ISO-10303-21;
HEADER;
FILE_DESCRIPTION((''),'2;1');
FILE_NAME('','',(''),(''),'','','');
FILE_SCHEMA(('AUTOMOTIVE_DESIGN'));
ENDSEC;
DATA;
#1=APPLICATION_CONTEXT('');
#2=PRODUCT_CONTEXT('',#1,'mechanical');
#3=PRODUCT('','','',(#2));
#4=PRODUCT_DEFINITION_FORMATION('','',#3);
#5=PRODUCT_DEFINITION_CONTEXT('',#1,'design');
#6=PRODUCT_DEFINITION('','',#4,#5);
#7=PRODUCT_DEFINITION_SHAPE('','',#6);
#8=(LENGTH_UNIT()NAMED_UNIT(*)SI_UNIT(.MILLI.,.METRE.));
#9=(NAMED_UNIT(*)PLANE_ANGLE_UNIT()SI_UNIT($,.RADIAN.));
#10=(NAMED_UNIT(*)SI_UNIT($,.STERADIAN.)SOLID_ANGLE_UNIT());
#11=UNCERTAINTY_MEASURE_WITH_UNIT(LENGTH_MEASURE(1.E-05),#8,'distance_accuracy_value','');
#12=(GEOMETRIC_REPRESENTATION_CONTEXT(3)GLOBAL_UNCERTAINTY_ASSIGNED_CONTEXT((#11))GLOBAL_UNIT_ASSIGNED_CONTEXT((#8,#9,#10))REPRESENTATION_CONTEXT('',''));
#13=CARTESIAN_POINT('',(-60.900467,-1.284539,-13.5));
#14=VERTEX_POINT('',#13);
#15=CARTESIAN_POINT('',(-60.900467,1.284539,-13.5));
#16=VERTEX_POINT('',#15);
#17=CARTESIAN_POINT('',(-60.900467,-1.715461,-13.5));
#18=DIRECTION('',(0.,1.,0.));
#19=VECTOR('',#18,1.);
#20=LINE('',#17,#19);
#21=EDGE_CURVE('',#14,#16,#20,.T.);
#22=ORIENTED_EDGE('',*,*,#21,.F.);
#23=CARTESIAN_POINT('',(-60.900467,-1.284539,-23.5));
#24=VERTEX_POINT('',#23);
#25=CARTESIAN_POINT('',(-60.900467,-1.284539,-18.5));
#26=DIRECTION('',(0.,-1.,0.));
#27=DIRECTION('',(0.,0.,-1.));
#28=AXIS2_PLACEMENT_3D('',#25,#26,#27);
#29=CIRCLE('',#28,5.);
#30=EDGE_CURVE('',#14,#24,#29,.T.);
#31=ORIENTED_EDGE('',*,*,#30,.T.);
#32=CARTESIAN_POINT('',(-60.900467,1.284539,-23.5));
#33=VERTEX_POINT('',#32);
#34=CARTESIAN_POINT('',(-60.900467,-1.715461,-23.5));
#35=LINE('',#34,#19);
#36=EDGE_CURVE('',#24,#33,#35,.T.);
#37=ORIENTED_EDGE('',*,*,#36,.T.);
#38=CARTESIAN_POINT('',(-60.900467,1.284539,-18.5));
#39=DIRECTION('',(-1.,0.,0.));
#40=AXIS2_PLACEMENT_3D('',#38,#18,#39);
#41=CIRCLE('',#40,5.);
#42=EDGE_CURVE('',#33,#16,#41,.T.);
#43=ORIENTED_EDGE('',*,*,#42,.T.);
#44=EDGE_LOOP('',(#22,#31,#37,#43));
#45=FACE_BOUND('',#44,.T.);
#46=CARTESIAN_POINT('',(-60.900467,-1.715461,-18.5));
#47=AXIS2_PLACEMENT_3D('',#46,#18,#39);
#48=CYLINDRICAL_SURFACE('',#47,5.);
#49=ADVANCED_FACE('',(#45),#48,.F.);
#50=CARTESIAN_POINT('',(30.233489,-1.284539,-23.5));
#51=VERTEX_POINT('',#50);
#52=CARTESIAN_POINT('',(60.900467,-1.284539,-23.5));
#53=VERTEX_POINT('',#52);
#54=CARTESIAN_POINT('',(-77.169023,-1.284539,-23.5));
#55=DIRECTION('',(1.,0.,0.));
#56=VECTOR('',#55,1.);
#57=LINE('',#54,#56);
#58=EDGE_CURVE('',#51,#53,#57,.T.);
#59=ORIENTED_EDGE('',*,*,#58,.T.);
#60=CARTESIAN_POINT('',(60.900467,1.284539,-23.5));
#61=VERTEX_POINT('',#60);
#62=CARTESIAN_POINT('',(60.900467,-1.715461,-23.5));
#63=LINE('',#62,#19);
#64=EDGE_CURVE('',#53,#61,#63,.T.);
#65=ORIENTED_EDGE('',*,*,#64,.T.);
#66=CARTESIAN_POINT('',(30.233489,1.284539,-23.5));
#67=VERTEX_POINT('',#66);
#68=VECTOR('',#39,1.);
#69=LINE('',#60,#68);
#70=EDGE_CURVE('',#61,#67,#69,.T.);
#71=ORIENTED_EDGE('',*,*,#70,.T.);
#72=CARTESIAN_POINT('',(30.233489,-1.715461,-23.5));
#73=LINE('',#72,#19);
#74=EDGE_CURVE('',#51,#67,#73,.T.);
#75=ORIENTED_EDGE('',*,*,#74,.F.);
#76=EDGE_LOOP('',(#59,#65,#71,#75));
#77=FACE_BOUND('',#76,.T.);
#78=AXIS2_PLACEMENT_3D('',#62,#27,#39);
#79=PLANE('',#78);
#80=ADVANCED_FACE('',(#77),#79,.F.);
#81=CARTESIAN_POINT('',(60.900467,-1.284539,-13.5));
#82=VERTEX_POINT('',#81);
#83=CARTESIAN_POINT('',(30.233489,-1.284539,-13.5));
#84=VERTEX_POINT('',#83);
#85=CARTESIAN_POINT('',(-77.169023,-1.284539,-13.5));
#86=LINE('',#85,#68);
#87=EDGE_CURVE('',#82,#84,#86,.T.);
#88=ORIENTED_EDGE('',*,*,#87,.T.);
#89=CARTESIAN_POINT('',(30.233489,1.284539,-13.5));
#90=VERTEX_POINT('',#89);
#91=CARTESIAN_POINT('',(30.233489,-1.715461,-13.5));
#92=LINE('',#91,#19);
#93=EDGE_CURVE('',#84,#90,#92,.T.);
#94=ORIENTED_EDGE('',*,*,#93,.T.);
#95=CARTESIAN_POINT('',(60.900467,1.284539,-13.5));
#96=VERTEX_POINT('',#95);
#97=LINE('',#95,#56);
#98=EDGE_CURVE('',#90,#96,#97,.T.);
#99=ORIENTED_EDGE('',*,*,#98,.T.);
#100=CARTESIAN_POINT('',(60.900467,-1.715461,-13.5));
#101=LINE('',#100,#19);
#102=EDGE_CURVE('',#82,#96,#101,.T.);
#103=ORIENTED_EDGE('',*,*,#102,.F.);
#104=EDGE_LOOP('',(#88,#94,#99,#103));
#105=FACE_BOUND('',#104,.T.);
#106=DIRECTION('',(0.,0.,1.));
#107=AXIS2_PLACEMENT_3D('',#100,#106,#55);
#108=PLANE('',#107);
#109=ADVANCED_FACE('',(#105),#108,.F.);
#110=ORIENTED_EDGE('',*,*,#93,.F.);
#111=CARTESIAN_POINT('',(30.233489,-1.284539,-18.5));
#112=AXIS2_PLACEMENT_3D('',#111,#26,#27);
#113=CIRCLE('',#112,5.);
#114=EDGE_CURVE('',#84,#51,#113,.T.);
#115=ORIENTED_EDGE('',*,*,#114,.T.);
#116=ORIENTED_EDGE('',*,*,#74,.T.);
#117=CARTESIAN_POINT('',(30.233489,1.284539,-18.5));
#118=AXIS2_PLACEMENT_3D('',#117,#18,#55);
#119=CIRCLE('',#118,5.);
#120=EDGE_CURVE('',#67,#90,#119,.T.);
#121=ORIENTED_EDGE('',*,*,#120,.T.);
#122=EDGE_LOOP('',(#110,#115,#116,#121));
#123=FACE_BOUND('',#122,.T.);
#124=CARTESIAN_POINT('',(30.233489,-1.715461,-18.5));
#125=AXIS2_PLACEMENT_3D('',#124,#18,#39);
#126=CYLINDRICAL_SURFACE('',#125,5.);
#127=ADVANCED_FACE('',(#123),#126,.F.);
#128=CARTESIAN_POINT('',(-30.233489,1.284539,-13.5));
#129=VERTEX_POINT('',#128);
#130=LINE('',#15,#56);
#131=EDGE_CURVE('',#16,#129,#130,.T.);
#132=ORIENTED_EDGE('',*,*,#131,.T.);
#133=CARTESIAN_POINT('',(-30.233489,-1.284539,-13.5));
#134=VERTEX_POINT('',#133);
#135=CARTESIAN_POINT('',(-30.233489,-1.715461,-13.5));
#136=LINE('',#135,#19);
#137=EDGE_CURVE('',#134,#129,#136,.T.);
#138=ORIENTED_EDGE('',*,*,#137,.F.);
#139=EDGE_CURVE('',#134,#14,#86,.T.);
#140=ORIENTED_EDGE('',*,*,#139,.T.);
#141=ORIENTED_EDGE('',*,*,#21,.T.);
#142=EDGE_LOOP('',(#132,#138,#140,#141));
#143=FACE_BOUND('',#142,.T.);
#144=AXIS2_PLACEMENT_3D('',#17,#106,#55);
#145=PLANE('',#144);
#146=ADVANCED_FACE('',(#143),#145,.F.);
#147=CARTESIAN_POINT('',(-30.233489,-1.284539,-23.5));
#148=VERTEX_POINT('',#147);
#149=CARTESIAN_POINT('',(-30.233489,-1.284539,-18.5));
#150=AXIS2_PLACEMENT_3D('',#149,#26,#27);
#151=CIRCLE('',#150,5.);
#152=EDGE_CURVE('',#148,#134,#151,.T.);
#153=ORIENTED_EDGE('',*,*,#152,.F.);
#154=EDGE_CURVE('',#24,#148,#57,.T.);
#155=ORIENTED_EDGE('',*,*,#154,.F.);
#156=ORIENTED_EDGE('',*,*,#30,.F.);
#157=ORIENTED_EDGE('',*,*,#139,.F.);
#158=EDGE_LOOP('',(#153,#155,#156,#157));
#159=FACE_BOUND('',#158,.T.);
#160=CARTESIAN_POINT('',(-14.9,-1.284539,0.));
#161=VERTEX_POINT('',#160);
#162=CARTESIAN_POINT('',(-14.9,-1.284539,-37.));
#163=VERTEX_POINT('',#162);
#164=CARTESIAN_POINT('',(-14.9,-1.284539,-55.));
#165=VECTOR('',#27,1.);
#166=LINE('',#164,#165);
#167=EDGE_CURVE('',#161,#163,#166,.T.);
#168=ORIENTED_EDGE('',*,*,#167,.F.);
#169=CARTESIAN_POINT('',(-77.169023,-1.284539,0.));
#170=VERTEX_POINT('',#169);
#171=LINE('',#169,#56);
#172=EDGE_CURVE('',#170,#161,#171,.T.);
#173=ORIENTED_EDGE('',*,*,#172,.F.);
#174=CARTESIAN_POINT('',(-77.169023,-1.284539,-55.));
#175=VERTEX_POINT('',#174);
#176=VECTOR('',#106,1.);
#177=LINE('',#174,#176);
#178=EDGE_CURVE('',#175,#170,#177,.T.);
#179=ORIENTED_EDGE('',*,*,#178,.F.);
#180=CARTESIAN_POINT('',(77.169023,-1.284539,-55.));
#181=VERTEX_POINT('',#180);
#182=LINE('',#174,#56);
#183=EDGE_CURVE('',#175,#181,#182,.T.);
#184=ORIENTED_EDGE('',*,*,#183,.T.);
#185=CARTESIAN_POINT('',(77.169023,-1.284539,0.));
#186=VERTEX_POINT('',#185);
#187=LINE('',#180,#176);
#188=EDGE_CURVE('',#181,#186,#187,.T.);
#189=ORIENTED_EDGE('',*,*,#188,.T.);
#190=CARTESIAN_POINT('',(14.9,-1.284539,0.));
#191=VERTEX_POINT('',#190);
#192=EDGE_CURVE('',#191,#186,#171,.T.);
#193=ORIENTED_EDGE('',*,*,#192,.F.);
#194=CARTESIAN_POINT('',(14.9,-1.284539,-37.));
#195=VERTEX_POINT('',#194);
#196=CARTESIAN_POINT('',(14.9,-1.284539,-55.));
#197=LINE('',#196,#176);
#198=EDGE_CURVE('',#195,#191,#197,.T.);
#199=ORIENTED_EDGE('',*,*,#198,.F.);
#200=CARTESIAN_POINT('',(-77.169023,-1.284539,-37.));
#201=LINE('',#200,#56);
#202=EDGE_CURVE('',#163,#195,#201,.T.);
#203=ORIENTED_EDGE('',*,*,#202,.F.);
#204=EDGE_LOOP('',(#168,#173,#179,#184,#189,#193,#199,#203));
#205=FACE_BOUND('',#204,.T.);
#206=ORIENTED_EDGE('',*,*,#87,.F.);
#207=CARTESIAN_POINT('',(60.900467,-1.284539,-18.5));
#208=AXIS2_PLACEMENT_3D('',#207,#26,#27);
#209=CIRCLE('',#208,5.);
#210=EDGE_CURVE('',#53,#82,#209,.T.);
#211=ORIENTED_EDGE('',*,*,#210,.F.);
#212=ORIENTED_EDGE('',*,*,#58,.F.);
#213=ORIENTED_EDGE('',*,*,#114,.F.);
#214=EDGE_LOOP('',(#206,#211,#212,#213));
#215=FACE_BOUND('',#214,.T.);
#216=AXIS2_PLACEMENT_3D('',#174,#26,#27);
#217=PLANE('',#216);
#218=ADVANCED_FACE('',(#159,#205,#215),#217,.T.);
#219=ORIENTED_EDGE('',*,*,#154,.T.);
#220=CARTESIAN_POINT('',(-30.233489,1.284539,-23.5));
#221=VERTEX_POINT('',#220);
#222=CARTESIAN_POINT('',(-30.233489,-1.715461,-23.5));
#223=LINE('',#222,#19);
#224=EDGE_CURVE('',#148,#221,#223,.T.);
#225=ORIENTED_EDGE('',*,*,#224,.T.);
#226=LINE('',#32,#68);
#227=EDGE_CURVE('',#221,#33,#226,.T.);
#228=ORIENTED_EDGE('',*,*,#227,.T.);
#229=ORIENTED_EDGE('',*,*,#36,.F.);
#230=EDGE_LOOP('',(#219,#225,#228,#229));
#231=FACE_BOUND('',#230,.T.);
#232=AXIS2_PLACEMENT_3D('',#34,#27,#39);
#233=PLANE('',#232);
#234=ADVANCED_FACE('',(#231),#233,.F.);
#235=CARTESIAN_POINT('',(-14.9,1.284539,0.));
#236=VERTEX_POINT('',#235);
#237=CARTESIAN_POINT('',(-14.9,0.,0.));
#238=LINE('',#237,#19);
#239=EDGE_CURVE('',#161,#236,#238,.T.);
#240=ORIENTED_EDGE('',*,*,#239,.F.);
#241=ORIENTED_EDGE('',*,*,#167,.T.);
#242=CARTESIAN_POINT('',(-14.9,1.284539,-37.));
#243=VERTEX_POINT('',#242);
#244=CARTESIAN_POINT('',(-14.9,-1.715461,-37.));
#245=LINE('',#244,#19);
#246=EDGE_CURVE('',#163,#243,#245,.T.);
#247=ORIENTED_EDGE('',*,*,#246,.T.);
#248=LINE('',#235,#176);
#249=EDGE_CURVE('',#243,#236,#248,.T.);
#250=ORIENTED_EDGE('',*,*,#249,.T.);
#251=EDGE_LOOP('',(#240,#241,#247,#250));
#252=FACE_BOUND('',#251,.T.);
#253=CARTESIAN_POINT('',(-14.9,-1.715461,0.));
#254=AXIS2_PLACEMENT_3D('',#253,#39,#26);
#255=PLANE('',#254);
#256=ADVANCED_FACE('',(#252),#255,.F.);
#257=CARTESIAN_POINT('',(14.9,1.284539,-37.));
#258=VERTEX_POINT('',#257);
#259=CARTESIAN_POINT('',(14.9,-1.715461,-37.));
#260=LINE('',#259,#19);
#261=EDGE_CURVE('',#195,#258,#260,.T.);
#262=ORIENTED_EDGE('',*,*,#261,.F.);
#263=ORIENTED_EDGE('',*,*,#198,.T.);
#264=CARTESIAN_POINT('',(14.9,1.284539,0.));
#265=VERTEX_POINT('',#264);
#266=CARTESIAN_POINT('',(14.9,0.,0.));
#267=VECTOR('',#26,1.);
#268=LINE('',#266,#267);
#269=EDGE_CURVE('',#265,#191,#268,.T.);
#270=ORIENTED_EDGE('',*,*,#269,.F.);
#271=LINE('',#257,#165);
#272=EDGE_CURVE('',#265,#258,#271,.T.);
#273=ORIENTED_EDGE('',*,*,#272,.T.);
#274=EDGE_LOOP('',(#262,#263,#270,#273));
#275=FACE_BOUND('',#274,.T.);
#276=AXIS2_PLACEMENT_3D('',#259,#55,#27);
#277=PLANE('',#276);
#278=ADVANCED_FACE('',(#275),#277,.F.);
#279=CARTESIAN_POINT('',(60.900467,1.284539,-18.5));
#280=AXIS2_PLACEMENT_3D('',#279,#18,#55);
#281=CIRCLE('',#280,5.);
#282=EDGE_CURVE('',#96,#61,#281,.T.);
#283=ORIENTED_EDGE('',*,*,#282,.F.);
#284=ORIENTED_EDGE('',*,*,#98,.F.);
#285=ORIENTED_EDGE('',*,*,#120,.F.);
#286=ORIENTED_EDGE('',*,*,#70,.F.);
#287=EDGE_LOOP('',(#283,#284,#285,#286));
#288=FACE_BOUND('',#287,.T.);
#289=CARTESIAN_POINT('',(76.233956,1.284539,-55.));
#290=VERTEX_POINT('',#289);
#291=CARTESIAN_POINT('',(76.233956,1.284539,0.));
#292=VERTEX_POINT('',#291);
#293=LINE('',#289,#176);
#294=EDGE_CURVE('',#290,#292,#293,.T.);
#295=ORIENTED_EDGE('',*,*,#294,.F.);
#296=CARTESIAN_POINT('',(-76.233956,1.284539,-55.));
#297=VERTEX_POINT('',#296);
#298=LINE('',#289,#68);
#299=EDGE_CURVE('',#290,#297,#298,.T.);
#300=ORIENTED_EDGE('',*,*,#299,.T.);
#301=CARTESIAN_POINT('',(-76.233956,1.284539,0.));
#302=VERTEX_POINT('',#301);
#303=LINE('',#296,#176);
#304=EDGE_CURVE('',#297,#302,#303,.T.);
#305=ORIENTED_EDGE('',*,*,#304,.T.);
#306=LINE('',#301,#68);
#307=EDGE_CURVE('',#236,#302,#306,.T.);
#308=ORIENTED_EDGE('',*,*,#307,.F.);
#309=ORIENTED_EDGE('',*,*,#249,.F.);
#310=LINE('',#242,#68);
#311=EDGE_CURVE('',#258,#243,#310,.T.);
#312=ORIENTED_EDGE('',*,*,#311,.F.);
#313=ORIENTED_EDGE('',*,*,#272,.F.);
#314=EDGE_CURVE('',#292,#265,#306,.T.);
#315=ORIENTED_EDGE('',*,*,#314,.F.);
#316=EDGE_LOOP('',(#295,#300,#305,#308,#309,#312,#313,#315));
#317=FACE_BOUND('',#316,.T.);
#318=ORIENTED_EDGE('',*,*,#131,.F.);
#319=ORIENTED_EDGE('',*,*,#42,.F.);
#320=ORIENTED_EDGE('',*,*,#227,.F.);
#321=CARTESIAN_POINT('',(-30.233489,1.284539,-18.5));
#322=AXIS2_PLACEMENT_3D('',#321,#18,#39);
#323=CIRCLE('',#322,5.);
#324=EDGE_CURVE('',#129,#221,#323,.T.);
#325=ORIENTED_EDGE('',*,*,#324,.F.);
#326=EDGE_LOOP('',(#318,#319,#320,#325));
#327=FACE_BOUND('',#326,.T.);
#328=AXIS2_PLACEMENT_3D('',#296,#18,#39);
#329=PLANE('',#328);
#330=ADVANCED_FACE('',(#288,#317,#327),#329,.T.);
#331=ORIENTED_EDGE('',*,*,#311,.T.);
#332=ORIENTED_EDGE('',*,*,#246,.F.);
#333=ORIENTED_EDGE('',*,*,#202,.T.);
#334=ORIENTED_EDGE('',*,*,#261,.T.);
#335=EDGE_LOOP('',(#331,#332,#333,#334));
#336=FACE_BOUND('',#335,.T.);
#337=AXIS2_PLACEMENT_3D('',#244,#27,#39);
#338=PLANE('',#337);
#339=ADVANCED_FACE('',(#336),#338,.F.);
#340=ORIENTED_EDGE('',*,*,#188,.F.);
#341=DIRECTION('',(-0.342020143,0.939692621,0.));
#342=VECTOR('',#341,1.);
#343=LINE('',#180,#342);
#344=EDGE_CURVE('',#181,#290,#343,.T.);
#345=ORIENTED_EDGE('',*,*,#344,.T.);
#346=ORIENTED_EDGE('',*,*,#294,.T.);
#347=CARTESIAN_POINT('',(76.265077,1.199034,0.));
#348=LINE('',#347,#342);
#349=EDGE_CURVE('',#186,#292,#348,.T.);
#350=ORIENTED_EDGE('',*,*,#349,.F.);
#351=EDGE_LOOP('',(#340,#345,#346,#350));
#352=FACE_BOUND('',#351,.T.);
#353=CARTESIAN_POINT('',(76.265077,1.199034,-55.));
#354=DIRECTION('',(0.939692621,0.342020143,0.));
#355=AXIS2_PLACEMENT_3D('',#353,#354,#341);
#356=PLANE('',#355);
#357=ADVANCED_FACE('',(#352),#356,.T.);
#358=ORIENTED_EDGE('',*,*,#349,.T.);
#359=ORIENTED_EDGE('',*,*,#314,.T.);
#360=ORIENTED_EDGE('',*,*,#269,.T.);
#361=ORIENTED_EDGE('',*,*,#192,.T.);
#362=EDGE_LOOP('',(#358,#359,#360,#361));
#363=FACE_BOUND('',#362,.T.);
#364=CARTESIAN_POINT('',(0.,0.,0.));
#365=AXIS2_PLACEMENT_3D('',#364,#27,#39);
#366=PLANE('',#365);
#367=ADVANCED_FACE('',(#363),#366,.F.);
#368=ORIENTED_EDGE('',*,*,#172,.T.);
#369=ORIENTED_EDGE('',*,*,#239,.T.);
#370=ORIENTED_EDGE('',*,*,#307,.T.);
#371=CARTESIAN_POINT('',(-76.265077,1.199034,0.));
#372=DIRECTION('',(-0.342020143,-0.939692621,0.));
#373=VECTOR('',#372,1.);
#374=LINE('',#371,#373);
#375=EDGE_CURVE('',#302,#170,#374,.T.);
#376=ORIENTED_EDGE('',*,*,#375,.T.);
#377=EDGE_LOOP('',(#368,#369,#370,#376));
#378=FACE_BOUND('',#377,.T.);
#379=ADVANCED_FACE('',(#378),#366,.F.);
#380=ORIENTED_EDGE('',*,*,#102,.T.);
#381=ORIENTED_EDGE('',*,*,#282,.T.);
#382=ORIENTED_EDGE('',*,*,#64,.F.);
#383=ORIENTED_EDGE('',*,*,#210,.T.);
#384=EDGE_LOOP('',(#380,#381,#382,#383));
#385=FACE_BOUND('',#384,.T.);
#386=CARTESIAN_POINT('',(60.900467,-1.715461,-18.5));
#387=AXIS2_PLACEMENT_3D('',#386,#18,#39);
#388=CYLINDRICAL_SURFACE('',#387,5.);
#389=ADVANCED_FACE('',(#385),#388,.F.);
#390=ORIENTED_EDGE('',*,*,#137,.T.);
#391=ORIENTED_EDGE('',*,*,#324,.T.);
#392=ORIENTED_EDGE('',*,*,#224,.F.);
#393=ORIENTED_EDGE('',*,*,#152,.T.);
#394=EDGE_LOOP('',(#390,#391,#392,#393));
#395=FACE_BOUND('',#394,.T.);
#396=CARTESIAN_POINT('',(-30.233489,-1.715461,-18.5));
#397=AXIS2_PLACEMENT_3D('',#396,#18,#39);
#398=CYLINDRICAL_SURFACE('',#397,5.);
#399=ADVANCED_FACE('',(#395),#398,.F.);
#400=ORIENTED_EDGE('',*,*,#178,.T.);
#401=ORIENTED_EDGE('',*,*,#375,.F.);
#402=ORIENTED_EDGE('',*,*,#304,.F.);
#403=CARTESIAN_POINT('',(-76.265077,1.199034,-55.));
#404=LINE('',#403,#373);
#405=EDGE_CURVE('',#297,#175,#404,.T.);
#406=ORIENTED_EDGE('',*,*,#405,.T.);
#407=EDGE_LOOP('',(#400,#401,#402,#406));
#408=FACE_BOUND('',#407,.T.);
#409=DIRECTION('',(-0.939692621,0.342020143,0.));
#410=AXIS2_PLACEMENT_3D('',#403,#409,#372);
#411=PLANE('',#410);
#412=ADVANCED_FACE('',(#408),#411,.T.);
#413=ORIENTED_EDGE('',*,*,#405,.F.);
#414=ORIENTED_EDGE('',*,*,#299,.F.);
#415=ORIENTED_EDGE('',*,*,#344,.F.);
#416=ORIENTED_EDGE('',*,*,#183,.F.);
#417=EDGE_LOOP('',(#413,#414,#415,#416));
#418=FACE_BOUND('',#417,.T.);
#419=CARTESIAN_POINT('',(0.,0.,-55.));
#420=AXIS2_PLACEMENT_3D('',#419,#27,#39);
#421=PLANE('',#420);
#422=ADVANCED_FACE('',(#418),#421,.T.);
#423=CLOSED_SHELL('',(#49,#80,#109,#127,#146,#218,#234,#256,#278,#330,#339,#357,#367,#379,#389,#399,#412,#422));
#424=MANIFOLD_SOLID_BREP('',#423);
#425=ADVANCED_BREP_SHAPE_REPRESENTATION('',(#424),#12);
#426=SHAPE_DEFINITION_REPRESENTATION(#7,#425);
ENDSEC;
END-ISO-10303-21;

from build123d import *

# Parameters (mm, degrees)
BOSS_EXTRUDE1_DEPTH = 55
CUT_EXTRUDE4_DEPTH  = 3
CUT_EXTRUDE5_DEPTH  = 3


with BuildPart() as part:
    # Sketch3 → Boss-Extrude1 (new body)
    with BuildSketch(Plane.XY):
        Polygon((-76.265076845, 1.199033895), (-77.169023428, -1.284538931), (77.169023428, -1.284538931), (76.265076845, 1.199033895), (76.233955557, 1.284538931), (76.075119575, 1.284538931), (-76.233955557, 1.284538931), align=None)
    extrude(amount=-BOSS_EXTRUDE1_DEPTH)

    # Sketch4 → Cut-Extrude4 (cut)
    with BuildSketch(Plane(origin=(0, 1.284538931, 0), x_dir=(1, 0, 0), z_dir=(0, 1, 0))):
        Polygon((-14.9, 0), (-14.9, 37), (14.9, 37), (14.9, 0.115445968), (14.9, -2.514676192), (-14.9, -2.514676192), align=None)
    extrude(amount=-CUT_EXTRUDE4_DEPTH, mode=Mode.SUBTRACT)

    # Sketch5 → Cut-Extrude5 (cut)
    with BuildSketch(Plane(origin=(0, 1.284538931, 0), x_dir=(1, 0, 0), z_dir=(0, 1, 0))):
        with BuildLine():
            Line((-60.900466668, 23.5), (-30.233488889, 23.5))
            ThreePointArc((-30.233488889, 23.5), (-25.233488889, 18.5), (-30.233488889, 13.5))
            Line((-30.233488889, 13.5), (-60.900466668, 13.5))
            ThreePointArc((-60.900466668, 13.5), (-65.900466668, 18.5), (-60.900466668, 23.5))
        make_face()
        with BuildLine():
            Line((60.900466668, 13.5), (30.233488889, 13.5))
            ThreePointArc((30.233488889, 13.5), (25.233488889, 18.5), (30.233488889, 23.5))
            Line((30.233488889, 23.5), (60.900466668, 23.5))
            ThreePointArc((60.900466668, 23.5), (65.900466668, 18.5), (60.900466668, 13.5))
        make_face()
    extrude(amount=-CUT_EXTRUDE5_DEPTH, mode=Mode.SUBTRACT)


solid = part.part
